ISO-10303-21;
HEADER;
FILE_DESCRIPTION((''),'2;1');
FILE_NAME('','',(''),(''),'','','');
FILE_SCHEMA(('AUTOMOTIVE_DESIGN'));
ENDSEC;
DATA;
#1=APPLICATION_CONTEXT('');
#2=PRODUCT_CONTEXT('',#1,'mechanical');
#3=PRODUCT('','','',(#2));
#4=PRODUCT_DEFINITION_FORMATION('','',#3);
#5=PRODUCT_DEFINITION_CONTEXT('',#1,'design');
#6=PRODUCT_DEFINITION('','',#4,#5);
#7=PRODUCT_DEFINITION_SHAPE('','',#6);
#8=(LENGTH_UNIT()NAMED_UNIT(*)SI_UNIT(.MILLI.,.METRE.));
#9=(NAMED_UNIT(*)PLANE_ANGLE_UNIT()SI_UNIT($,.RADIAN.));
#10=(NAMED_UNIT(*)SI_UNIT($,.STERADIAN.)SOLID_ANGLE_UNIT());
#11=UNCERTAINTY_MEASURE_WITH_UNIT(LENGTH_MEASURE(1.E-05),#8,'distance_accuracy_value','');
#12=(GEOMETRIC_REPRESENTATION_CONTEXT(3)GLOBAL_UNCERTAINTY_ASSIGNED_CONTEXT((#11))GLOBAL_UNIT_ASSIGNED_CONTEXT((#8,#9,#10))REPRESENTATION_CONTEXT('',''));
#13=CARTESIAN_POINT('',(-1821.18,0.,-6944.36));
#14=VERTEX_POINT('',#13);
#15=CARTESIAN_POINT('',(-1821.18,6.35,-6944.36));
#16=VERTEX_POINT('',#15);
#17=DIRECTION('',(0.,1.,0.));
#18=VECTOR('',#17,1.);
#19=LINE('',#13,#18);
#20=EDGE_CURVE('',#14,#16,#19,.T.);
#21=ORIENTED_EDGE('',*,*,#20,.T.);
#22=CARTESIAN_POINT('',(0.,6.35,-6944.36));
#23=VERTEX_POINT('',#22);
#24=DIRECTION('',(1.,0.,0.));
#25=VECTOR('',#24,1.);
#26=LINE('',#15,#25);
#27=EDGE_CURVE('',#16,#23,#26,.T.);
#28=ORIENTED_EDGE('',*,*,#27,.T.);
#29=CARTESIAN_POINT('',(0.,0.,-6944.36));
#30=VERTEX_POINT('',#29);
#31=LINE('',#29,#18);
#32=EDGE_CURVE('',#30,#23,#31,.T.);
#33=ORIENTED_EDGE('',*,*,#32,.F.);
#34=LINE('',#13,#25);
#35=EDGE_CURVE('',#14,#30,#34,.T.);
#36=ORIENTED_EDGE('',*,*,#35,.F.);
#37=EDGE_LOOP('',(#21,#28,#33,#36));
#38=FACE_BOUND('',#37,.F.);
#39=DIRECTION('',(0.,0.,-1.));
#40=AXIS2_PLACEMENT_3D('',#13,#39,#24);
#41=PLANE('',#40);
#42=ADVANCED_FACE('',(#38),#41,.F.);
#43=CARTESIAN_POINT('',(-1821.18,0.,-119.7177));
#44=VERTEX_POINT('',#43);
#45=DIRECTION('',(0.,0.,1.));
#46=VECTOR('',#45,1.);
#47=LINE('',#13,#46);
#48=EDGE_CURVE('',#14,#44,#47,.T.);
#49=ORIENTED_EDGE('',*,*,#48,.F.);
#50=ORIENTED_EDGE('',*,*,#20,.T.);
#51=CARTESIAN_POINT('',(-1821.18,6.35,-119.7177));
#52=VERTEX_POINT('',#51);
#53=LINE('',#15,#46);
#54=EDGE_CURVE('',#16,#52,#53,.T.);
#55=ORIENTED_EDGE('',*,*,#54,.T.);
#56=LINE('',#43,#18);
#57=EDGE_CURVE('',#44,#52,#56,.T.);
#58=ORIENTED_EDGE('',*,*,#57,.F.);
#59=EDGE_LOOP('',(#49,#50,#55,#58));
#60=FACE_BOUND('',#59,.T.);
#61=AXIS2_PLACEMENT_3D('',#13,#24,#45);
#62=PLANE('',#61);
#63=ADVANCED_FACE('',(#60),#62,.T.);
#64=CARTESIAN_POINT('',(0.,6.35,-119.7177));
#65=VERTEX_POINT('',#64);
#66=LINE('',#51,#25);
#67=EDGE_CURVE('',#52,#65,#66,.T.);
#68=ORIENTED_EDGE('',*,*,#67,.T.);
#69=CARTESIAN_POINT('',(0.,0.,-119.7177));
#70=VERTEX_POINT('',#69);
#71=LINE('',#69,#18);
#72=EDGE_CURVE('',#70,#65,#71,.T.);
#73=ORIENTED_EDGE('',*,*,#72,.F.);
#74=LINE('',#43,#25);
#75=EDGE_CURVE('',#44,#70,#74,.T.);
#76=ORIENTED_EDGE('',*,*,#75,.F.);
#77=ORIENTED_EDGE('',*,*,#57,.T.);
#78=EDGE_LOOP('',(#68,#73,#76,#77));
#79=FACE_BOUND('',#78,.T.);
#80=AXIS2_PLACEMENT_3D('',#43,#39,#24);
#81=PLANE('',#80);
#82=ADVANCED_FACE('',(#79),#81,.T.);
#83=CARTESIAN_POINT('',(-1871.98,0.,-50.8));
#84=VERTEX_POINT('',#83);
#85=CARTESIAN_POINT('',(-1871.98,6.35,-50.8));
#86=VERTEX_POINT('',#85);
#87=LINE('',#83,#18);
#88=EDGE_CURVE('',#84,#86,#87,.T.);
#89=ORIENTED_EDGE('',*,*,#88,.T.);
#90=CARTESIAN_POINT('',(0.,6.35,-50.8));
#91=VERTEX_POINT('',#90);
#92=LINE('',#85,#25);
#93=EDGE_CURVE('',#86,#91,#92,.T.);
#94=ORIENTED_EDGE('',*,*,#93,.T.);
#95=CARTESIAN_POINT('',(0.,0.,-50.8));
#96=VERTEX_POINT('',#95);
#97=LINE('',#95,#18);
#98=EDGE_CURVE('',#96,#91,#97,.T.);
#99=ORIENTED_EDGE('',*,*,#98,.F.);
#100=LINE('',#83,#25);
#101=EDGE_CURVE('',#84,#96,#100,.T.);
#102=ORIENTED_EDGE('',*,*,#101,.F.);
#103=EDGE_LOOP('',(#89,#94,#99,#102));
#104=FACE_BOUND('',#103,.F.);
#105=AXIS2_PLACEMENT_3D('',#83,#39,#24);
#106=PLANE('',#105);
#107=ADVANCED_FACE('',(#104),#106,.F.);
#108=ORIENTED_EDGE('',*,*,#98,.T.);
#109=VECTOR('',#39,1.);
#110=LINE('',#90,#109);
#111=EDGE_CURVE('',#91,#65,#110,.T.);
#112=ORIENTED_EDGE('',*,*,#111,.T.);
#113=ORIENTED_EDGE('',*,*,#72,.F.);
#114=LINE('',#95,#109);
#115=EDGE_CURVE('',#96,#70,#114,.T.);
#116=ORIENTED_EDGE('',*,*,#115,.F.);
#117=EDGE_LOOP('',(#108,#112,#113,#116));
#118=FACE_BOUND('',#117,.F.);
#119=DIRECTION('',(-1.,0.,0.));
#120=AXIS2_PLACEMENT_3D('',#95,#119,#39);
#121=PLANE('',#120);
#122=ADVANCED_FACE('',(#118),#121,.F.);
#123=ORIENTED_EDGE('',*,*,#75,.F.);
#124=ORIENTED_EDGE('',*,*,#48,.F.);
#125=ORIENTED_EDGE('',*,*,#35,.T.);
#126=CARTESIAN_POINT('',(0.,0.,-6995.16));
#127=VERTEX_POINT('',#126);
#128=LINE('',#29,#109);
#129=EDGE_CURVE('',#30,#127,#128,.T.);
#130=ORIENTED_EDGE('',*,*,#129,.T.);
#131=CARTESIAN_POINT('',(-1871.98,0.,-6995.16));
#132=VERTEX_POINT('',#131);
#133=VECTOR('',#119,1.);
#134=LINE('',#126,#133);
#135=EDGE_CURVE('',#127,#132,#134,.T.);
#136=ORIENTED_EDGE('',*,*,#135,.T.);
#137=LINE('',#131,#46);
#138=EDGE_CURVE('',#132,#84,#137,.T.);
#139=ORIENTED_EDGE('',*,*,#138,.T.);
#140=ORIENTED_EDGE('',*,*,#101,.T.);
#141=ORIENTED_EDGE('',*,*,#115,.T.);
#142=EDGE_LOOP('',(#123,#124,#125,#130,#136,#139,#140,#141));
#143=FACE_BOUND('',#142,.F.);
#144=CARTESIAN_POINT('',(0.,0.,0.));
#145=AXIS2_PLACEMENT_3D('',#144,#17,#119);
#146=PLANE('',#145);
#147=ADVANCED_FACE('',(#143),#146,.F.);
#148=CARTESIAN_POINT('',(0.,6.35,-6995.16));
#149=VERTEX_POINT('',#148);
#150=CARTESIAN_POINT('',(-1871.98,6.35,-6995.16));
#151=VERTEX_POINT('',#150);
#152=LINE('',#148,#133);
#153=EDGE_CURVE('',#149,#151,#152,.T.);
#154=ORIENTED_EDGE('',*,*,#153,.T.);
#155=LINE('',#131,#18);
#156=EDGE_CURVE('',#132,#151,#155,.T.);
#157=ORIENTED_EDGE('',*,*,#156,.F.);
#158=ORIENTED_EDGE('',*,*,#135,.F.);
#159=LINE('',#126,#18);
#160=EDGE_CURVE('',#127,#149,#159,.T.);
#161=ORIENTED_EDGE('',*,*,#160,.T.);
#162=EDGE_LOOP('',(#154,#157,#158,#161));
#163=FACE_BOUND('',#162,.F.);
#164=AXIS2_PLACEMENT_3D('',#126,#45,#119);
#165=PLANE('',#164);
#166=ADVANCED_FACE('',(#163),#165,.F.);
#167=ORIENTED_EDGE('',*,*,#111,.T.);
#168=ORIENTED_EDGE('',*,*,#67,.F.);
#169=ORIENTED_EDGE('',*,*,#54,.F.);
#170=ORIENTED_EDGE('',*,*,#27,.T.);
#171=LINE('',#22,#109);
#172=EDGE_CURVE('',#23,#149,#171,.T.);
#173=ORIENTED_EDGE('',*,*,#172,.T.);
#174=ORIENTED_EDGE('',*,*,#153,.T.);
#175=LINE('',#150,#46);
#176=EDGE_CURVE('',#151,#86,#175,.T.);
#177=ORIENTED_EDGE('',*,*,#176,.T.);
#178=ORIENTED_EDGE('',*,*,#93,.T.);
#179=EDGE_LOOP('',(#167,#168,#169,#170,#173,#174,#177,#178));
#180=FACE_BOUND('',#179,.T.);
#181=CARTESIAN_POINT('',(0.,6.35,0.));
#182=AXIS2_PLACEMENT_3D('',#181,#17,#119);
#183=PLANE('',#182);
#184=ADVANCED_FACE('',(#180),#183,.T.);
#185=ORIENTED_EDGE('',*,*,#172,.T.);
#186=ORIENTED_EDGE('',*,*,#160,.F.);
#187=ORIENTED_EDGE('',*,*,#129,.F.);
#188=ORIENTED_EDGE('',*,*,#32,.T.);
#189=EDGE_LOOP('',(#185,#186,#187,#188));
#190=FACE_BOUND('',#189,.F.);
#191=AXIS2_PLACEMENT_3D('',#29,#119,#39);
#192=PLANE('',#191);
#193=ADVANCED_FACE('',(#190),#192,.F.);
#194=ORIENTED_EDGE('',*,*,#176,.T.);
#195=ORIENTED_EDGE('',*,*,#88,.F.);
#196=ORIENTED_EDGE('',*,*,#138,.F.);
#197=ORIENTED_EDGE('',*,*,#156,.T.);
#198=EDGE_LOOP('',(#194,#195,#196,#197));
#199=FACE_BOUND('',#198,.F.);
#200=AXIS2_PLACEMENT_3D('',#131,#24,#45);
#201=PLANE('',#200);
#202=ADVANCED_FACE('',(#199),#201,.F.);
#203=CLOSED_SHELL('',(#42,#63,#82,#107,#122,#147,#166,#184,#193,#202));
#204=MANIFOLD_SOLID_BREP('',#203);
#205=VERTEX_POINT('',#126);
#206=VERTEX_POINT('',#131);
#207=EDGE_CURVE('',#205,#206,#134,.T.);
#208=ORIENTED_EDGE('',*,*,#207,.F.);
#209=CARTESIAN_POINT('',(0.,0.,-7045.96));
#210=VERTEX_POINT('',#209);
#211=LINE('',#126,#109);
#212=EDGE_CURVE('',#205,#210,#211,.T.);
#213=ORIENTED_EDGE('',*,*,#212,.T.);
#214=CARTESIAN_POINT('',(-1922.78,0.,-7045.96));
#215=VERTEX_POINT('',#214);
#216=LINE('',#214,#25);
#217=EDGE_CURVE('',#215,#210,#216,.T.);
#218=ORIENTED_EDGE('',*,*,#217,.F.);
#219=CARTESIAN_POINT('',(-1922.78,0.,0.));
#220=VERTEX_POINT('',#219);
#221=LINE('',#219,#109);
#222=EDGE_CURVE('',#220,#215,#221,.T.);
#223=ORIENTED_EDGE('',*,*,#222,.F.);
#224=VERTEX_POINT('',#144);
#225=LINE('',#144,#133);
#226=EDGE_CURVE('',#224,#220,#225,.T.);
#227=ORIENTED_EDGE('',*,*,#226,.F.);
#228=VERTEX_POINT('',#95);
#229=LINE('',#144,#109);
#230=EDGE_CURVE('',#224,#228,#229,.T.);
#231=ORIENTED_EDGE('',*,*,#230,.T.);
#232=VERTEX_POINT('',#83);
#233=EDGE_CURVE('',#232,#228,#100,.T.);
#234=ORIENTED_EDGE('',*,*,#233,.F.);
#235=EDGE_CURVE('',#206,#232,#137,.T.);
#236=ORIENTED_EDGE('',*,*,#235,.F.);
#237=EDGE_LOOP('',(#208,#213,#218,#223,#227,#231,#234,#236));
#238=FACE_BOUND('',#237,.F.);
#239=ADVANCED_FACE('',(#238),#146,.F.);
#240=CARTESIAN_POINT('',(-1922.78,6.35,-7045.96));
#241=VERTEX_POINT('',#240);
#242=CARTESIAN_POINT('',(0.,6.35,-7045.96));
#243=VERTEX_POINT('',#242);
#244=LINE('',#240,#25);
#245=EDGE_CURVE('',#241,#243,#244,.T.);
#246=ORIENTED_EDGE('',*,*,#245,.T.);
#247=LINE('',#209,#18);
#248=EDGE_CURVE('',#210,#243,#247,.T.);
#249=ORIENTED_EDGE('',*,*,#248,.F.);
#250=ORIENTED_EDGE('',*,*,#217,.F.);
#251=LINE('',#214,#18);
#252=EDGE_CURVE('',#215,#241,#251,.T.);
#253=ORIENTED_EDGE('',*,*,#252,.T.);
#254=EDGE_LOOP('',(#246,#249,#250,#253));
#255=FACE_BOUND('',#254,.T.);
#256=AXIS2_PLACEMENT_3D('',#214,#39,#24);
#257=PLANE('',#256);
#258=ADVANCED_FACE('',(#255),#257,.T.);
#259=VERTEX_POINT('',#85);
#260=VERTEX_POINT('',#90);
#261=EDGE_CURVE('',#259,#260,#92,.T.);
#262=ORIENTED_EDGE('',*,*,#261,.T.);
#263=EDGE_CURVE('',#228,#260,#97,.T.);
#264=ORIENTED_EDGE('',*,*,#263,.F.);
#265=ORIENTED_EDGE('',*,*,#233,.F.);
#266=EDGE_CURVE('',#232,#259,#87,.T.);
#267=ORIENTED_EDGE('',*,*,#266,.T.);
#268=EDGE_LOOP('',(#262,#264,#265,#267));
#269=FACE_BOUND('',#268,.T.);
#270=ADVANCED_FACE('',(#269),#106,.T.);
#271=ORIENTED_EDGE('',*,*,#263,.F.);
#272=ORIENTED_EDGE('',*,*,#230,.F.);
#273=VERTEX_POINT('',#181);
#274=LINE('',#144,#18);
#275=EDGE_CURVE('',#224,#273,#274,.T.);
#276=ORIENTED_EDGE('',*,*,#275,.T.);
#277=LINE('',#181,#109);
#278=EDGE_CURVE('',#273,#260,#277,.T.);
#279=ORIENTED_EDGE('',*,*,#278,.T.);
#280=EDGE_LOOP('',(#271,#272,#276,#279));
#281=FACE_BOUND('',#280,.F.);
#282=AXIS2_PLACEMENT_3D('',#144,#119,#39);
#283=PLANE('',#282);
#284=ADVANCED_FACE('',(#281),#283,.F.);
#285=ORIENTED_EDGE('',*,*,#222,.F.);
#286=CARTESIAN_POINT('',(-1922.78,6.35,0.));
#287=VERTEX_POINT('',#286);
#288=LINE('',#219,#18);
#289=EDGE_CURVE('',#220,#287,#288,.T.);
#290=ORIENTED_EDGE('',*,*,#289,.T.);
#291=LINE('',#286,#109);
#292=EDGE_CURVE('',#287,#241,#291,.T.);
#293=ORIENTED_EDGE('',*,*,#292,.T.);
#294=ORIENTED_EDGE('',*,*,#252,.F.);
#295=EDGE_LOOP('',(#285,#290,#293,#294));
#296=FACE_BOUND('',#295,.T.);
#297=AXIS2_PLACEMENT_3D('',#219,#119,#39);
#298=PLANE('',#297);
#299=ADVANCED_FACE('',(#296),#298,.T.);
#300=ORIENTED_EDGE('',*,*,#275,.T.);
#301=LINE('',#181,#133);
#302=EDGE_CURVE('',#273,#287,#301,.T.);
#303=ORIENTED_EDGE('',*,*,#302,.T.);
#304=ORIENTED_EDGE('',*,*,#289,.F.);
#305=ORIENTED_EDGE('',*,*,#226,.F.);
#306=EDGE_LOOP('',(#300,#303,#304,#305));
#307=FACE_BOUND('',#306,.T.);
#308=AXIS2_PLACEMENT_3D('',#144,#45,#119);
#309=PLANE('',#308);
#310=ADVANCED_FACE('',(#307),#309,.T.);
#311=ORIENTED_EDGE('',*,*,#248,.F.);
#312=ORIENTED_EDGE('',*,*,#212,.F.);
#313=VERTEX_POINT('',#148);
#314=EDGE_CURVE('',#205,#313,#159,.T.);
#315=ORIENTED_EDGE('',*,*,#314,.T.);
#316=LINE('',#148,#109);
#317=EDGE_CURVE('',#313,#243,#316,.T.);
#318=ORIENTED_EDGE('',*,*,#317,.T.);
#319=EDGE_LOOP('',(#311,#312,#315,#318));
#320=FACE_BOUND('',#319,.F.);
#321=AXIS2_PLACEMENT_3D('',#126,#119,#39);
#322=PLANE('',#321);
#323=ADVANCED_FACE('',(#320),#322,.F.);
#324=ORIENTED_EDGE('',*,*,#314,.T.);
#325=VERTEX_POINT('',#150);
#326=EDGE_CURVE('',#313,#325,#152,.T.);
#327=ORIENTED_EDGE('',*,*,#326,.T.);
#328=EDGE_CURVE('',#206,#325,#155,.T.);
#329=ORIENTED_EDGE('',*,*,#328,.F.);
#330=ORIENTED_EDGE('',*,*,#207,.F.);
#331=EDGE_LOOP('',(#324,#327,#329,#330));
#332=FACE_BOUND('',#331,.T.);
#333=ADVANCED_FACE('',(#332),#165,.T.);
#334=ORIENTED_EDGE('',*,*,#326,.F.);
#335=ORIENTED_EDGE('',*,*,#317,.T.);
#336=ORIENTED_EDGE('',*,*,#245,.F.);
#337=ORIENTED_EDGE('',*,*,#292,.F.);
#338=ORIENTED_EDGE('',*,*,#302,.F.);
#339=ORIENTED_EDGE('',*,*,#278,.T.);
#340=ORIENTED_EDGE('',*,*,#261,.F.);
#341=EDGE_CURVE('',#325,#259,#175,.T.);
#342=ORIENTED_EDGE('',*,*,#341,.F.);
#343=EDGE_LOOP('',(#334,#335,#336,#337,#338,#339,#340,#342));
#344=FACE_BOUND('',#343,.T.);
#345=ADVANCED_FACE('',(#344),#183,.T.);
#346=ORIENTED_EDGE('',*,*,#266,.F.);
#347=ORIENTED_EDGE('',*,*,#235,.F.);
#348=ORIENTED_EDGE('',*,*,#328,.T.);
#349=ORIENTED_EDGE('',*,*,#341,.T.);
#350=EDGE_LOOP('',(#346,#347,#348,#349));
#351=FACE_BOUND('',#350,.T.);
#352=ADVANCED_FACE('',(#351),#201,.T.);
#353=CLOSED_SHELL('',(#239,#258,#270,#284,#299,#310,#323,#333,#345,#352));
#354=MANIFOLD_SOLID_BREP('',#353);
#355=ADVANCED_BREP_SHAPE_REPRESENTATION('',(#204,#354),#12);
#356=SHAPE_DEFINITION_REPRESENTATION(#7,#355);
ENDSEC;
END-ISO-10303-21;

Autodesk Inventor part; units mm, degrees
ref_plane "YZ Plane" through (0, 0, 0) normal (1, 0, 0) x (0, 1, 0)
ref_plane "XZ Plane" through (0, 0, 0) normal (0, 1, 0) x (-1, 0, 0)
ref_plane "XY Plane" through (0, 0, 0) normal (0, 0, 1) x (1, 0, 0)
sketch "Sketch1" plane through (0, 0, 0) normal (0, 1, 0) x (-1, 0, 0)
  line L0 (0, 0) -> (1922.78, 0)
  line L1 (1922.78, 0) -> (1922.78, -7045.96)
  line L2 (1922.78, -7045.96) -> (0, -7045.96)
  line L3 (0, -6995.16) -> (1871.98, -6995.16)
  line L4 (1871.98, -6995.16) -> (1871.98, -50.8)
  line L5 (1871.98, -50.8) -> (0, -50.8)
  line L6 (0, 0) -> (0, -50.8)
  line L7 (0, -6995.16) -> (0, -7045.96)
  line L8 (1821.18, -6944.36) -> (0, -6944.36)
  line L9 (1821.18, -6944.36) -> (1821.18, -119.7177)
  line L10 (0, -6944.36) -> (0, -6995.16)
  line L11 (1821.18, -119.7177) -> (0, -119.7177)
  line L12 (0, -50.8) -> (0, -119.7177)
  dimension "d0" = 1922.78
  dimension "d1" = 7045.96
  dimension "d2" = 1922.78
  dimension "d3" = 50.8
  dimension "d6" = 50.8
  dimension "d7" = 50.8
extrude "Extrusion1" add sketch "Sketch1" along normal blind 6.35 contours L0 L1 L2 L7 L3 L4 L5 L6
extrude "Extrusion2" add sketch "Sketch1" along normal blind 6.35 separate body contours L5 L4 L3 L10 L8 L9 L11 L12
equation "\"d0\" = d2"
properties part number "Trim_Blue"
